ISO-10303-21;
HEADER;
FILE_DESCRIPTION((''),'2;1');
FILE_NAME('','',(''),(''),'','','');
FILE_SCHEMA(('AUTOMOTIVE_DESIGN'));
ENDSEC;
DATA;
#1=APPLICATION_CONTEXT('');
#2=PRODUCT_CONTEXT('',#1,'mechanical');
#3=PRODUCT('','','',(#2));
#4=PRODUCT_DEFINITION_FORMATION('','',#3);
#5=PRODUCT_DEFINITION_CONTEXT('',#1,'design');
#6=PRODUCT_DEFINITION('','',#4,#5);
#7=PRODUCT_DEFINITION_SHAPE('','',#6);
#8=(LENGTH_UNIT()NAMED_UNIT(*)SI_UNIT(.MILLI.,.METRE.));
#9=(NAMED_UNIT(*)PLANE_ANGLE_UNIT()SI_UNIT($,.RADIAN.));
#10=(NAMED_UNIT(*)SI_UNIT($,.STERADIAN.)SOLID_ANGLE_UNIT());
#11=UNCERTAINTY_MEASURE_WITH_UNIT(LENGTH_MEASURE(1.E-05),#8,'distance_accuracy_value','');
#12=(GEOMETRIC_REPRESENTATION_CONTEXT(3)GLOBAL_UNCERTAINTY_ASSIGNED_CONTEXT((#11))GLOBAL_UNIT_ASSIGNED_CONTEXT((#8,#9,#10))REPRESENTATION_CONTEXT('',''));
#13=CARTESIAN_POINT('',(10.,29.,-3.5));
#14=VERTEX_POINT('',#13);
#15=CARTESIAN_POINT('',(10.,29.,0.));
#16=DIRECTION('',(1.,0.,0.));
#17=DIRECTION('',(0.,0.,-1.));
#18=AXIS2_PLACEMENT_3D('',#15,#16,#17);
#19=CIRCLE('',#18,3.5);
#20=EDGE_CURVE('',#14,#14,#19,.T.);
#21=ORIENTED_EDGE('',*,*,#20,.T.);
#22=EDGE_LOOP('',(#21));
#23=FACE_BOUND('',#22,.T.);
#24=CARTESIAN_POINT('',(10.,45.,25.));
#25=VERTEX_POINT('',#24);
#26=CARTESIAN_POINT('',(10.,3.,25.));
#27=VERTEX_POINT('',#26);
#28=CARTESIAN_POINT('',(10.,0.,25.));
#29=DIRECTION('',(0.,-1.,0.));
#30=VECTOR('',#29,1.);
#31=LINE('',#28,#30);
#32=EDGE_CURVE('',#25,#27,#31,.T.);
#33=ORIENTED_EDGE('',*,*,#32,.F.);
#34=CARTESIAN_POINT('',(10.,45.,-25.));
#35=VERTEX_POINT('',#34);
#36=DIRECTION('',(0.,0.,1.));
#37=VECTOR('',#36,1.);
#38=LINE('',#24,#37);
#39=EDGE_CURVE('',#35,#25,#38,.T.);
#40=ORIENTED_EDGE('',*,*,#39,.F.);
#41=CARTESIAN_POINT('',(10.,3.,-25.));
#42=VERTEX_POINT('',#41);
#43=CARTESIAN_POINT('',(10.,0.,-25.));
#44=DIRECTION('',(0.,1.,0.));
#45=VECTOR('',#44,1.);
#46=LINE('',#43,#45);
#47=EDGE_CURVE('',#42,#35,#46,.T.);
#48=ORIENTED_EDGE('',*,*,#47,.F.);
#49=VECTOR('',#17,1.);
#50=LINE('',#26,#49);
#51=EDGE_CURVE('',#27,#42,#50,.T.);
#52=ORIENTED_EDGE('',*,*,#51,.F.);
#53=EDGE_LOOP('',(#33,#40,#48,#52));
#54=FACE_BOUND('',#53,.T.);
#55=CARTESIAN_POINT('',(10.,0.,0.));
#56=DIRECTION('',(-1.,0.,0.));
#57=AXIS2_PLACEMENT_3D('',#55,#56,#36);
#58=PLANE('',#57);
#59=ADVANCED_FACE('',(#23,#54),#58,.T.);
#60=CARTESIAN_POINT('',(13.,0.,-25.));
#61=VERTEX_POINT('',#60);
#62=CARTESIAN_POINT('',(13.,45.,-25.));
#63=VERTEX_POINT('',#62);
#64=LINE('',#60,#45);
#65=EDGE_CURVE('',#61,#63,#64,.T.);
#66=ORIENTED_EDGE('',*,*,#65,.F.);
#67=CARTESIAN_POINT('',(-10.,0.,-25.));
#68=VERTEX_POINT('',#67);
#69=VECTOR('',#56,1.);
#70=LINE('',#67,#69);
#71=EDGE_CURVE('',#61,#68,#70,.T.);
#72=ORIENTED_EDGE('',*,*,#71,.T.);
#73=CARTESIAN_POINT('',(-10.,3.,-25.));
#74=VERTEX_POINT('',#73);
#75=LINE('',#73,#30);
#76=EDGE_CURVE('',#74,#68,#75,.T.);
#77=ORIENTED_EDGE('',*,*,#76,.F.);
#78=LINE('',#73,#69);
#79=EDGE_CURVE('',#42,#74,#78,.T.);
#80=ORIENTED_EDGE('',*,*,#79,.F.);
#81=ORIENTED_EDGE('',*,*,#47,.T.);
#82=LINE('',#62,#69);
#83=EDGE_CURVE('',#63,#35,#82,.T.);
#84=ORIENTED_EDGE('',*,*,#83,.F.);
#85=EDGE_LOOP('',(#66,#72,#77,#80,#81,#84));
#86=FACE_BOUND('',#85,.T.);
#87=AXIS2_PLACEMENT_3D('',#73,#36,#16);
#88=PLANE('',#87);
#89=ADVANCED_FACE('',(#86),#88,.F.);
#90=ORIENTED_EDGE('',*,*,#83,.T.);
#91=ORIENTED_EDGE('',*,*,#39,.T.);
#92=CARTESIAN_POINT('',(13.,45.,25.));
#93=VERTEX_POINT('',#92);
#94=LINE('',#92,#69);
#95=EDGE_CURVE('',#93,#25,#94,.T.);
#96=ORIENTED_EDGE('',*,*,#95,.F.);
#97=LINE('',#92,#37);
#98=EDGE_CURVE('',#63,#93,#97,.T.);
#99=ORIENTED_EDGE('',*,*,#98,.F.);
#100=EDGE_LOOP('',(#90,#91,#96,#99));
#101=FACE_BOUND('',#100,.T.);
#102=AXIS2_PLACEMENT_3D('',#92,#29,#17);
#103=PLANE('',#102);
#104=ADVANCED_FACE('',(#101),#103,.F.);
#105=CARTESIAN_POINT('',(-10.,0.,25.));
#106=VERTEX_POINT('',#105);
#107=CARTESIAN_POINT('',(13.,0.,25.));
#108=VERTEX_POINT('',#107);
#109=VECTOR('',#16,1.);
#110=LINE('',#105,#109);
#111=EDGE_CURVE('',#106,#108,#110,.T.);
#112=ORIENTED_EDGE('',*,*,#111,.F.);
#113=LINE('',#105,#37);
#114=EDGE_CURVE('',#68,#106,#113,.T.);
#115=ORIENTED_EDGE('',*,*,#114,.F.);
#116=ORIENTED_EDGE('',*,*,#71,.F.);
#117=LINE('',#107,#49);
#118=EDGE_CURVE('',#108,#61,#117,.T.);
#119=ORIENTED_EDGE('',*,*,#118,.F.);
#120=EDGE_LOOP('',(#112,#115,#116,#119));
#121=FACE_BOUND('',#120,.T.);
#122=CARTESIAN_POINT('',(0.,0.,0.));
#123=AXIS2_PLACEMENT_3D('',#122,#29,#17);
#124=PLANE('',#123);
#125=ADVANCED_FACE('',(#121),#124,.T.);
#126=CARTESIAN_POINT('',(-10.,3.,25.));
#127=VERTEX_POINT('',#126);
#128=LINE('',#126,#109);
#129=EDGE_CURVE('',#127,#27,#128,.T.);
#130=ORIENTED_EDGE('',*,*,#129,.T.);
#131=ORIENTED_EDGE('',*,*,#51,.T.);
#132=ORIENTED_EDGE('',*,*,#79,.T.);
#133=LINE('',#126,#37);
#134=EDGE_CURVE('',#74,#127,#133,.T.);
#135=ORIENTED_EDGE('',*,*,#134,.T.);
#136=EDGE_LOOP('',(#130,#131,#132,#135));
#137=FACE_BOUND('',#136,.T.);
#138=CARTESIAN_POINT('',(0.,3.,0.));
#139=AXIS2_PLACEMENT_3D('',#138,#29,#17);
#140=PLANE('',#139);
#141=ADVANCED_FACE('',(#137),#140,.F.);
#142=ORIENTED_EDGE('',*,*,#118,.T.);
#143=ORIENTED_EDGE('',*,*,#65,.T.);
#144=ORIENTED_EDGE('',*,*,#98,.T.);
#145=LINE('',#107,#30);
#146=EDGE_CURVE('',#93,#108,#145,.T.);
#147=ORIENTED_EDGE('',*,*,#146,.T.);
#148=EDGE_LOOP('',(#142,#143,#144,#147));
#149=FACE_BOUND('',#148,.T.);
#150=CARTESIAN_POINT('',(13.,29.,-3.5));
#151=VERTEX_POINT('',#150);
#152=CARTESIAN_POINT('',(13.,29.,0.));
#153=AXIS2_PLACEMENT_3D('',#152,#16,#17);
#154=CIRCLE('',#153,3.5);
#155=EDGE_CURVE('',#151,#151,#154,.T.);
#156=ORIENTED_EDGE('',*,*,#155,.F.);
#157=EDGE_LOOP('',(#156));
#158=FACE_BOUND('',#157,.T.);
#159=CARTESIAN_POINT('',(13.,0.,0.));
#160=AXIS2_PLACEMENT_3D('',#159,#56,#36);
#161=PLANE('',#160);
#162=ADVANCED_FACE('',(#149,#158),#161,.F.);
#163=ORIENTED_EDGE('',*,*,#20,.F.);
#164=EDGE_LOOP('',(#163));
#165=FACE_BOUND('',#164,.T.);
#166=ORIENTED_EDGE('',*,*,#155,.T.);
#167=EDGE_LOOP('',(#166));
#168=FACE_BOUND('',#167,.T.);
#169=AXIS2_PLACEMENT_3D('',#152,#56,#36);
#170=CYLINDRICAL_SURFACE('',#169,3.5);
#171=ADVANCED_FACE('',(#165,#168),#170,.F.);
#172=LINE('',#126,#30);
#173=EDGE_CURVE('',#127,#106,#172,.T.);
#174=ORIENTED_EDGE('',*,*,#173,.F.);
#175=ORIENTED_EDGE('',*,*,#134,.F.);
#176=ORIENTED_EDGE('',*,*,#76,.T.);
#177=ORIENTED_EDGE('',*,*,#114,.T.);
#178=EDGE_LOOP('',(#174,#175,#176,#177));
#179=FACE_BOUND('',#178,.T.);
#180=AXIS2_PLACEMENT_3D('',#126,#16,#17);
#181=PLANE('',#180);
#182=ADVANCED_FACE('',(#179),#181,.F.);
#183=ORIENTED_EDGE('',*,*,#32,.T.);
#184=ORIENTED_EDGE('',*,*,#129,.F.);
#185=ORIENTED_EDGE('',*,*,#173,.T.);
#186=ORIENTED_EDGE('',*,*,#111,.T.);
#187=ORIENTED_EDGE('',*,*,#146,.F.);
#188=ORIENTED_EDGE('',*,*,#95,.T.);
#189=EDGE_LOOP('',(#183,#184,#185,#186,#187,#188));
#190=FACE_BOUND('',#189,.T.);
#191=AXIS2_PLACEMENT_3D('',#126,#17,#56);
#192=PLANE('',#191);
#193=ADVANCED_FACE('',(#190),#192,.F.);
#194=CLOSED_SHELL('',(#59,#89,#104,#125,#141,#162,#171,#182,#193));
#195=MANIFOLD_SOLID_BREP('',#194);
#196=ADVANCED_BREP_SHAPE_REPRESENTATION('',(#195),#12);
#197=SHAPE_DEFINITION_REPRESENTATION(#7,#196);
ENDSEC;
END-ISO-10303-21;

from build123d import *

# Parameters (mm, degrees)
SKETCH1_W           = 20
SKETCH1_H           = 50
BOSS_EXTRUDE1_DEPTH = 3
SKETCH2_W           = 50
SKETCH2_H           = 45
SKETCH2_R           = 3.5
BOSS_EXTRUDE2_DEPTH = 3


with BuildPart() as part:
    # Sketch1 → Boss-Extrude1 (new body)
    with BuildSketch(Plane(origin=(0, 0, 0), x_dir=(1, 0, 0), z_dir=(0, 1, 0))):
        Rectangle(SKETCH1_W, SKETCH1_H)
    extrude(amount=BOSS_EXTRUDE1_DEPTH)

    # Sketch2 → Boss-Extrude2 (add)
    with BuildSketch(Plane(origin=(10, 0, 0), x_dir=(0, 0, -1), z_dir=(1, 0, 0))):
        with Locations((0, 22.5)):
            Rectangle(SKETCH2_W, SKETCH2_H)
        with Locations((0, 29)):
            Circle(SKETCH2_R, mode=Mode.SUBTRACT)
    extrude(amount=BOSS_EXTRUDE2_DEPTH)


solid = part.part
